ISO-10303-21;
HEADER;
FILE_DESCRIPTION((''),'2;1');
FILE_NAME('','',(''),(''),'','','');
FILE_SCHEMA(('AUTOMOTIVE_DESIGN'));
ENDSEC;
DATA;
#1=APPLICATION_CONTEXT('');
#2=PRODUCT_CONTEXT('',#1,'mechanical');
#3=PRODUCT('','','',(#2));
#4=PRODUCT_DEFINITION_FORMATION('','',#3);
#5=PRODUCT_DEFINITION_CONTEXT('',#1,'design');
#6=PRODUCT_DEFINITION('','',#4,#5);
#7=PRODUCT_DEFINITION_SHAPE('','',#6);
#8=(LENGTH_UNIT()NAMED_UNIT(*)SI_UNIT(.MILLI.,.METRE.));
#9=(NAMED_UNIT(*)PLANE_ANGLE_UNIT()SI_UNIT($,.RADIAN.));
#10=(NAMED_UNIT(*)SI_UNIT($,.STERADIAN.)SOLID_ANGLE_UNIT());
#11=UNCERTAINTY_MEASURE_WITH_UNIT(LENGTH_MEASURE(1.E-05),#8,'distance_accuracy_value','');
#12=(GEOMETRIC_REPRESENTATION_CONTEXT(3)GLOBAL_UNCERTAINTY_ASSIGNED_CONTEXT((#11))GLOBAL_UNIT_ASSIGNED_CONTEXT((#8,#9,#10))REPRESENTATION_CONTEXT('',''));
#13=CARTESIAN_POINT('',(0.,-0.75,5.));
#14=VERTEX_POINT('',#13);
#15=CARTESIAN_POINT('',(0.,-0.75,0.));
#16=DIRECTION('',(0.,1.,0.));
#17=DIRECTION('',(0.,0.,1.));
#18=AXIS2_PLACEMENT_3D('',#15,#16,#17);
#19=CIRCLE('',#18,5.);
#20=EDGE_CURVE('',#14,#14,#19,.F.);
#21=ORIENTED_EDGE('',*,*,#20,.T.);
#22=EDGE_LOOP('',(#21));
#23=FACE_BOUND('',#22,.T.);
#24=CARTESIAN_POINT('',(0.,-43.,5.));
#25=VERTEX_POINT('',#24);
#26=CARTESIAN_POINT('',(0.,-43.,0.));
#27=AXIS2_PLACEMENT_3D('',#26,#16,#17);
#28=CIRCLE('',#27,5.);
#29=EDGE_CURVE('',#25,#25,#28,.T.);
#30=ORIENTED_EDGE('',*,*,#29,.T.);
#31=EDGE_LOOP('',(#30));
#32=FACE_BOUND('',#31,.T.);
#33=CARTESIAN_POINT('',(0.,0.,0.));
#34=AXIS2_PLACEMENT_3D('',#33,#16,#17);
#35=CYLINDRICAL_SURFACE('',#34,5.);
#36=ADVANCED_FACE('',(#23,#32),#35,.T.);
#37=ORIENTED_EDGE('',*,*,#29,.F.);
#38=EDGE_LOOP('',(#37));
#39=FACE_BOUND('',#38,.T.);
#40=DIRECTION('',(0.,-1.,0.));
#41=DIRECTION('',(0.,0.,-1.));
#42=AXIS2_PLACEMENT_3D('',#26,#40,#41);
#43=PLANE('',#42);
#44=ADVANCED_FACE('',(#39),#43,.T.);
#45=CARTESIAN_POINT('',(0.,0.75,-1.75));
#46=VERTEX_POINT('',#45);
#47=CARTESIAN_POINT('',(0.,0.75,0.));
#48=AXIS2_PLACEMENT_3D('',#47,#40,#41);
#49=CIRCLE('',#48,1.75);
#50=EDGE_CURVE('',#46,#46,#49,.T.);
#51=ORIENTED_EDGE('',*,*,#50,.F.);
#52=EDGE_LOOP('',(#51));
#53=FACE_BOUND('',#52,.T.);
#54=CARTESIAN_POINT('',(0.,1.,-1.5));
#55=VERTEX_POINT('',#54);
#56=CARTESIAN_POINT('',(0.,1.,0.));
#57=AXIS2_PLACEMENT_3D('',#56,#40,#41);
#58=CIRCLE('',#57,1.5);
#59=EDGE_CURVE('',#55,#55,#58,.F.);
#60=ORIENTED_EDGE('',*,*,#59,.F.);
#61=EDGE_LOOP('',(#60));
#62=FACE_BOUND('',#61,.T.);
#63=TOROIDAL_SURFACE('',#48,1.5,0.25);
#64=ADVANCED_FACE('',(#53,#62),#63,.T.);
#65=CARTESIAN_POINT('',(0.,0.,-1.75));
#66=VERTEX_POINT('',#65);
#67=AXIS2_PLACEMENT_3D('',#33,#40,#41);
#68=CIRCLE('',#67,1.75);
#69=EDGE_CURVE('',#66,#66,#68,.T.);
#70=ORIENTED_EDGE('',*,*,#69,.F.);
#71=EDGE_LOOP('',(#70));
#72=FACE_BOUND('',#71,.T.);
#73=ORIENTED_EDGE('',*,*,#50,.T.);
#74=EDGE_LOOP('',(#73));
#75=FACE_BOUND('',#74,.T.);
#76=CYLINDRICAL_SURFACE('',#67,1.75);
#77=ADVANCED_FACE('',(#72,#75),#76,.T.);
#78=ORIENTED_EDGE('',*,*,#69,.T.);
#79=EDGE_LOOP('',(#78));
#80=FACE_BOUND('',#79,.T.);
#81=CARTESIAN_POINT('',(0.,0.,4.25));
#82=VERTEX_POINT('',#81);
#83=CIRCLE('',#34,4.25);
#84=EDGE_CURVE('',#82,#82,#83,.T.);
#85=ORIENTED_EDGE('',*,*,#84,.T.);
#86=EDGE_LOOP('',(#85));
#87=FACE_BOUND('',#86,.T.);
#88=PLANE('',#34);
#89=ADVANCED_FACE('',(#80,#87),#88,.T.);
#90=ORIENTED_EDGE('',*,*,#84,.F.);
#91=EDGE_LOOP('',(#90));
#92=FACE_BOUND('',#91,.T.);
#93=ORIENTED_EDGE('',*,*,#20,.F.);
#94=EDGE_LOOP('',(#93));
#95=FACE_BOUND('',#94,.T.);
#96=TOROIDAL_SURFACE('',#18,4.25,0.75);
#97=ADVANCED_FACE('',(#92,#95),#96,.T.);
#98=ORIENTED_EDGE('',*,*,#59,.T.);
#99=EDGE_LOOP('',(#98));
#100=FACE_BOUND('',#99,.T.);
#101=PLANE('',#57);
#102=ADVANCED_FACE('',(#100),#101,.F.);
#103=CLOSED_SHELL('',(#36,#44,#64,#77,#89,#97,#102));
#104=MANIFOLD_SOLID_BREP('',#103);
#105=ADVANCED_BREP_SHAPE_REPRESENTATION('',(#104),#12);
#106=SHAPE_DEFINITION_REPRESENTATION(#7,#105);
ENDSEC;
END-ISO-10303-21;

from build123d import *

# Parameters (mm, degrees)
SKETCH1_W = 5
SKETCH1_H = 43
SKETCH2_W = 1.75
SKETCH2_H = 1
FILLET1_R = 0.75
FILLET2_R = 0.25


with BuildPart() as part:
    # Sketch1 → Revolve1 (revolve)
    with BuildSketch(Plane.XY, mode=Mode.PRIVATE) as revolve1_sk:
        with Locations((-2.5, -21.5)):
            Rectangle(SKETCH1_W, SKETCH1_H)
    revolve(revolve1_sk.sketch.rotate(Axis((0, 0, 0), (0, -1, 0)), 270), axis=Axis((0, 0, 0), (0, -1, 0)))

    # Sketch2 → Revolve2 (revolve)
    with BuildSketch(Plane.XY, mode=Mode.PRIVATE) as revolve2_sk:
        with Locations((-0.875, 0.5)):
            Rectangle(SKETCH2_W, SKETCH2_H)
    revolve(revolve2_sk.sketch.rotate(Axis((0, 0, 0), (0, 1, 0)), 270), axis=Axis((0, 0, 0), (0, 1, 0)))

    # Fillet1
    fillet1_edges = [part.edges().sort_by_distance(p)[0] for p in [
        (0, 0, -5),
    ]]
    fillet(fillet1_edges, radius=FILLET1_R)

    # Fillet2
    fillet2_edges = [part.edges().sort_by_distance(p)[0] for p in [
        (0, 1, 1.75),
    ]]
    fillet(fillet2_edges, radius=FILLET2_R)


solid = part.part
